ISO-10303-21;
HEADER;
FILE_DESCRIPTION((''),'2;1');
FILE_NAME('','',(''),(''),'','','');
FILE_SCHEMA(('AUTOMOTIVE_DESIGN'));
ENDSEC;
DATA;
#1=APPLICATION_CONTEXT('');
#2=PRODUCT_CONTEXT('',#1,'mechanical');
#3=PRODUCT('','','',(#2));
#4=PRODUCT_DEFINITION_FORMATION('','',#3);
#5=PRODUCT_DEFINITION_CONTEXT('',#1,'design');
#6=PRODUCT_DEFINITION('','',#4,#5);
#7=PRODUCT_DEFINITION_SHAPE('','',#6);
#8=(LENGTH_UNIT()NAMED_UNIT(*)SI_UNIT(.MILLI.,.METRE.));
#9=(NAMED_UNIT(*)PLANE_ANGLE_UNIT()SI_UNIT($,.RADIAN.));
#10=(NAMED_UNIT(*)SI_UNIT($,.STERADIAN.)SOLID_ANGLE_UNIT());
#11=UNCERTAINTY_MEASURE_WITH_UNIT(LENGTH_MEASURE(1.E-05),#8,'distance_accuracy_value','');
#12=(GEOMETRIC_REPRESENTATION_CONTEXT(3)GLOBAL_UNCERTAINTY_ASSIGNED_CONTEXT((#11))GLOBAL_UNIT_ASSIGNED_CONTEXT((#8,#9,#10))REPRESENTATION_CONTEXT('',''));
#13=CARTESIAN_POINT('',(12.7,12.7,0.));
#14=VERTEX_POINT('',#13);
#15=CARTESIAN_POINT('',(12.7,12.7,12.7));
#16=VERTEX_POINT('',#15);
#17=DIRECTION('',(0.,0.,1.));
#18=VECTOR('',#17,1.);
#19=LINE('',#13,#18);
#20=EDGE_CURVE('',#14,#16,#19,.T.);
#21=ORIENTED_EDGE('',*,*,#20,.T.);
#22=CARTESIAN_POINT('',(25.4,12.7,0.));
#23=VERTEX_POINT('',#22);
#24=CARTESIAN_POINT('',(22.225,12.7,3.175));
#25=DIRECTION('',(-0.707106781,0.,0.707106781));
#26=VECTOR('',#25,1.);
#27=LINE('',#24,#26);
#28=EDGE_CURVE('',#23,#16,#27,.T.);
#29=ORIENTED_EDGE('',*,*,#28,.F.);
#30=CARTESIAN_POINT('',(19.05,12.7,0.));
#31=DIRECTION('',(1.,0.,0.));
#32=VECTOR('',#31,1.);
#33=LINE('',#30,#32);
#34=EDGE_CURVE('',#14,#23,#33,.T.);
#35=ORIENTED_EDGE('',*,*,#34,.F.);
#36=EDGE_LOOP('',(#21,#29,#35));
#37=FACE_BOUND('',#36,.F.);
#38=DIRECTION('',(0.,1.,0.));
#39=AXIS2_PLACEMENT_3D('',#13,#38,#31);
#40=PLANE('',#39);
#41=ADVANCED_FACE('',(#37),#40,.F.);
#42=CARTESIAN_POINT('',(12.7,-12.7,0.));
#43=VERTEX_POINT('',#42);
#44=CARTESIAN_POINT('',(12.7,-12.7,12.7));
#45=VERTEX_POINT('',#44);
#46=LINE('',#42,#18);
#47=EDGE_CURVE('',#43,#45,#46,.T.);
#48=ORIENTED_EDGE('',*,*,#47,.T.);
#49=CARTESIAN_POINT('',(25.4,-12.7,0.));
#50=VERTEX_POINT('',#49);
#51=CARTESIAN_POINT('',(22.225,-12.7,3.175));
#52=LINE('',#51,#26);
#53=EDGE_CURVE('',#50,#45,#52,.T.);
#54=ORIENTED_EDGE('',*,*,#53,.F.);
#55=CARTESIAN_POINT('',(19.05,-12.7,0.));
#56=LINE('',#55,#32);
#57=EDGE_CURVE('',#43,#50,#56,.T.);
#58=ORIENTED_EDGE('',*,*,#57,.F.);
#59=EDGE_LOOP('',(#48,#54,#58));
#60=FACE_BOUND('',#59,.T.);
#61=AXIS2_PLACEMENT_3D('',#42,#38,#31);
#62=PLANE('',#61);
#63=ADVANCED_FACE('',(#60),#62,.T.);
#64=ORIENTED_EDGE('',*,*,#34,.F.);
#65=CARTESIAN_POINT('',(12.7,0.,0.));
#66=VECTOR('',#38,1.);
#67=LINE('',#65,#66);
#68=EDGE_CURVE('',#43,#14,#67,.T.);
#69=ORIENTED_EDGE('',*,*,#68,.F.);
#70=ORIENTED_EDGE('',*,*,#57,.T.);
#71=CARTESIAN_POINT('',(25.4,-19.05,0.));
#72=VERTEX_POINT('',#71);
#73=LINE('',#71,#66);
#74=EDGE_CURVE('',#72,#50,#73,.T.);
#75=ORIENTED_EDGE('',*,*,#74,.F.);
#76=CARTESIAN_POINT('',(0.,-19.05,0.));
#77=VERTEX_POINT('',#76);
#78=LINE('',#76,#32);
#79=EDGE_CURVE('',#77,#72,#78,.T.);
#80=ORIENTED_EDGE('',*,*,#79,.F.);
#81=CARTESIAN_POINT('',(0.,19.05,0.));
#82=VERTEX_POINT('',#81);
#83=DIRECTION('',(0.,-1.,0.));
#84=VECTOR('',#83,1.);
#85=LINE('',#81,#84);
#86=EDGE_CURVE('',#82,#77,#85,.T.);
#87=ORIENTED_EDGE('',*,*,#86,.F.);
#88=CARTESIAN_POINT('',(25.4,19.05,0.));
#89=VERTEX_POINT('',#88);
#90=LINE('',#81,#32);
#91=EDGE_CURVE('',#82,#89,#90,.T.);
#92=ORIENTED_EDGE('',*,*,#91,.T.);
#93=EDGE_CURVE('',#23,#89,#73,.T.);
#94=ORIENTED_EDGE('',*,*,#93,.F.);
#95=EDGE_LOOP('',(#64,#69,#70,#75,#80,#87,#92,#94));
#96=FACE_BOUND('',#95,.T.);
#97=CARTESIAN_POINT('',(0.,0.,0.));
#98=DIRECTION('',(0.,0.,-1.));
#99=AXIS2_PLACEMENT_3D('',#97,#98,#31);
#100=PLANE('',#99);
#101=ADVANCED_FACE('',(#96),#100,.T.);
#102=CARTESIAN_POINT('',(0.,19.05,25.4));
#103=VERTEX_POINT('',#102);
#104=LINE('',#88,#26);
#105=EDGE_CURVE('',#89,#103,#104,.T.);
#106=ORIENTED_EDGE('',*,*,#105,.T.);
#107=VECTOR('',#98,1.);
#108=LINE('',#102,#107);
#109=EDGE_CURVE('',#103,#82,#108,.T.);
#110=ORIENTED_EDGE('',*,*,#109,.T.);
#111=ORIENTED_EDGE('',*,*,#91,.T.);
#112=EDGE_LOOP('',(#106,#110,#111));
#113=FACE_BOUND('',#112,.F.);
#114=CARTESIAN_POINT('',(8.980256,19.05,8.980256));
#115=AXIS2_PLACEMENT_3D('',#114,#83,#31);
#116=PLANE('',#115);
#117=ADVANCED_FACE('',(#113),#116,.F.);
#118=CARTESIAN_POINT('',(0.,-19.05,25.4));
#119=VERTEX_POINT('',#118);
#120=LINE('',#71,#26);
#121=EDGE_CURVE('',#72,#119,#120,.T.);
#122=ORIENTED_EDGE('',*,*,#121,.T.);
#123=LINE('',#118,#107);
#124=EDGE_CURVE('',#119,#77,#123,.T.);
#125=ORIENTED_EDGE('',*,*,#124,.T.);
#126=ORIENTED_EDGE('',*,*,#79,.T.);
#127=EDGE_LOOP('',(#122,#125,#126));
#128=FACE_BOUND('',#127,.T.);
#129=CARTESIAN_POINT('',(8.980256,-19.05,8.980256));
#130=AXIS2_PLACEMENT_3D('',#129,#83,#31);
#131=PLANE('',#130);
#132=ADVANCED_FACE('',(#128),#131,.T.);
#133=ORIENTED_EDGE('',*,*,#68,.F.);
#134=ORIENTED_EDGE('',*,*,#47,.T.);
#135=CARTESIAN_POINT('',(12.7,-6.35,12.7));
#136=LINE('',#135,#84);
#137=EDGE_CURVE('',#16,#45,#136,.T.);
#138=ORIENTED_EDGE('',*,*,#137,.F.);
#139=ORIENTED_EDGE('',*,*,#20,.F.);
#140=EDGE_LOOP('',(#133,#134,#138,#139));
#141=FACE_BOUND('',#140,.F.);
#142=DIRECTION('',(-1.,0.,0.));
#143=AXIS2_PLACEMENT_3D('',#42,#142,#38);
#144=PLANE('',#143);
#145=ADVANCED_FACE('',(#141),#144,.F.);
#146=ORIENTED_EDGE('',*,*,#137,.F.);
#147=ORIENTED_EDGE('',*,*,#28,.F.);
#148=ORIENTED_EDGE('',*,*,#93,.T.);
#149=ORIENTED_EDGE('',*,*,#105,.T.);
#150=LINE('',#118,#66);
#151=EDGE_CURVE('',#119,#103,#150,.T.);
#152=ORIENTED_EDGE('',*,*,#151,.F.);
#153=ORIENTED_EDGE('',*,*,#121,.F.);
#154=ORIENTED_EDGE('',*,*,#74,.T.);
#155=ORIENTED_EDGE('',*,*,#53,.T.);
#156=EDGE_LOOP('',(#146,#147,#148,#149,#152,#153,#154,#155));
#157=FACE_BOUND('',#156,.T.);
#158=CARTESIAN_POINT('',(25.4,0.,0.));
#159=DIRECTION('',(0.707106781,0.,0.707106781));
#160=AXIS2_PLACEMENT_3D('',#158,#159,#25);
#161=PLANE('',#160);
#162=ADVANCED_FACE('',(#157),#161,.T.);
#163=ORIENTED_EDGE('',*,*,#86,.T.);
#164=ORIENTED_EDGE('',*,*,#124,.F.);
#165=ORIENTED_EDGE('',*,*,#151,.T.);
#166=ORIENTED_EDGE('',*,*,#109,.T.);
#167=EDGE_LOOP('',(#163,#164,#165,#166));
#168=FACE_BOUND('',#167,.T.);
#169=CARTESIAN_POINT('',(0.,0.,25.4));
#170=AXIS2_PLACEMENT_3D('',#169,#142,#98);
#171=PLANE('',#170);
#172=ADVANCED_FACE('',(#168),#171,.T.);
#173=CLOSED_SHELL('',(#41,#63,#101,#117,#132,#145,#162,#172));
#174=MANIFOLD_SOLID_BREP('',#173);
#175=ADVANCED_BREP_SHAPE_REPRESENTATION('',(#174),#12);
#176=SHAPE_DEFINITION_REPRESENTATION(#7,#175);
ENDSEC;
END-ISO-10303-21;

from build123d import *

# Parameters (mm, degrees)
F1_DEPTH = 19.05
F2_W     = 12.7
F2_H     = 25.4
F3_DEPTH = 25.4


with BuildPart() as f1:
    # F0 (on Front) → F1 (new body, symmetric)
    with BuildSketch(Plane.XZ):
        Polygon((0, 25.4), (0, 0), (25.4, 0), align=None)
    extrude(amount=F1_DEPTH, both=True)

    # F2 (on Top) → F3 (cut)
    with BuildSketch(Plane.XY):
        with Locations((19.05, 0)):
            Rectangle(F2_W, F2_H)
    extrude(amount=F3_DEPTH, mode=Mode.SUBTRACT)


solid = f1.part
